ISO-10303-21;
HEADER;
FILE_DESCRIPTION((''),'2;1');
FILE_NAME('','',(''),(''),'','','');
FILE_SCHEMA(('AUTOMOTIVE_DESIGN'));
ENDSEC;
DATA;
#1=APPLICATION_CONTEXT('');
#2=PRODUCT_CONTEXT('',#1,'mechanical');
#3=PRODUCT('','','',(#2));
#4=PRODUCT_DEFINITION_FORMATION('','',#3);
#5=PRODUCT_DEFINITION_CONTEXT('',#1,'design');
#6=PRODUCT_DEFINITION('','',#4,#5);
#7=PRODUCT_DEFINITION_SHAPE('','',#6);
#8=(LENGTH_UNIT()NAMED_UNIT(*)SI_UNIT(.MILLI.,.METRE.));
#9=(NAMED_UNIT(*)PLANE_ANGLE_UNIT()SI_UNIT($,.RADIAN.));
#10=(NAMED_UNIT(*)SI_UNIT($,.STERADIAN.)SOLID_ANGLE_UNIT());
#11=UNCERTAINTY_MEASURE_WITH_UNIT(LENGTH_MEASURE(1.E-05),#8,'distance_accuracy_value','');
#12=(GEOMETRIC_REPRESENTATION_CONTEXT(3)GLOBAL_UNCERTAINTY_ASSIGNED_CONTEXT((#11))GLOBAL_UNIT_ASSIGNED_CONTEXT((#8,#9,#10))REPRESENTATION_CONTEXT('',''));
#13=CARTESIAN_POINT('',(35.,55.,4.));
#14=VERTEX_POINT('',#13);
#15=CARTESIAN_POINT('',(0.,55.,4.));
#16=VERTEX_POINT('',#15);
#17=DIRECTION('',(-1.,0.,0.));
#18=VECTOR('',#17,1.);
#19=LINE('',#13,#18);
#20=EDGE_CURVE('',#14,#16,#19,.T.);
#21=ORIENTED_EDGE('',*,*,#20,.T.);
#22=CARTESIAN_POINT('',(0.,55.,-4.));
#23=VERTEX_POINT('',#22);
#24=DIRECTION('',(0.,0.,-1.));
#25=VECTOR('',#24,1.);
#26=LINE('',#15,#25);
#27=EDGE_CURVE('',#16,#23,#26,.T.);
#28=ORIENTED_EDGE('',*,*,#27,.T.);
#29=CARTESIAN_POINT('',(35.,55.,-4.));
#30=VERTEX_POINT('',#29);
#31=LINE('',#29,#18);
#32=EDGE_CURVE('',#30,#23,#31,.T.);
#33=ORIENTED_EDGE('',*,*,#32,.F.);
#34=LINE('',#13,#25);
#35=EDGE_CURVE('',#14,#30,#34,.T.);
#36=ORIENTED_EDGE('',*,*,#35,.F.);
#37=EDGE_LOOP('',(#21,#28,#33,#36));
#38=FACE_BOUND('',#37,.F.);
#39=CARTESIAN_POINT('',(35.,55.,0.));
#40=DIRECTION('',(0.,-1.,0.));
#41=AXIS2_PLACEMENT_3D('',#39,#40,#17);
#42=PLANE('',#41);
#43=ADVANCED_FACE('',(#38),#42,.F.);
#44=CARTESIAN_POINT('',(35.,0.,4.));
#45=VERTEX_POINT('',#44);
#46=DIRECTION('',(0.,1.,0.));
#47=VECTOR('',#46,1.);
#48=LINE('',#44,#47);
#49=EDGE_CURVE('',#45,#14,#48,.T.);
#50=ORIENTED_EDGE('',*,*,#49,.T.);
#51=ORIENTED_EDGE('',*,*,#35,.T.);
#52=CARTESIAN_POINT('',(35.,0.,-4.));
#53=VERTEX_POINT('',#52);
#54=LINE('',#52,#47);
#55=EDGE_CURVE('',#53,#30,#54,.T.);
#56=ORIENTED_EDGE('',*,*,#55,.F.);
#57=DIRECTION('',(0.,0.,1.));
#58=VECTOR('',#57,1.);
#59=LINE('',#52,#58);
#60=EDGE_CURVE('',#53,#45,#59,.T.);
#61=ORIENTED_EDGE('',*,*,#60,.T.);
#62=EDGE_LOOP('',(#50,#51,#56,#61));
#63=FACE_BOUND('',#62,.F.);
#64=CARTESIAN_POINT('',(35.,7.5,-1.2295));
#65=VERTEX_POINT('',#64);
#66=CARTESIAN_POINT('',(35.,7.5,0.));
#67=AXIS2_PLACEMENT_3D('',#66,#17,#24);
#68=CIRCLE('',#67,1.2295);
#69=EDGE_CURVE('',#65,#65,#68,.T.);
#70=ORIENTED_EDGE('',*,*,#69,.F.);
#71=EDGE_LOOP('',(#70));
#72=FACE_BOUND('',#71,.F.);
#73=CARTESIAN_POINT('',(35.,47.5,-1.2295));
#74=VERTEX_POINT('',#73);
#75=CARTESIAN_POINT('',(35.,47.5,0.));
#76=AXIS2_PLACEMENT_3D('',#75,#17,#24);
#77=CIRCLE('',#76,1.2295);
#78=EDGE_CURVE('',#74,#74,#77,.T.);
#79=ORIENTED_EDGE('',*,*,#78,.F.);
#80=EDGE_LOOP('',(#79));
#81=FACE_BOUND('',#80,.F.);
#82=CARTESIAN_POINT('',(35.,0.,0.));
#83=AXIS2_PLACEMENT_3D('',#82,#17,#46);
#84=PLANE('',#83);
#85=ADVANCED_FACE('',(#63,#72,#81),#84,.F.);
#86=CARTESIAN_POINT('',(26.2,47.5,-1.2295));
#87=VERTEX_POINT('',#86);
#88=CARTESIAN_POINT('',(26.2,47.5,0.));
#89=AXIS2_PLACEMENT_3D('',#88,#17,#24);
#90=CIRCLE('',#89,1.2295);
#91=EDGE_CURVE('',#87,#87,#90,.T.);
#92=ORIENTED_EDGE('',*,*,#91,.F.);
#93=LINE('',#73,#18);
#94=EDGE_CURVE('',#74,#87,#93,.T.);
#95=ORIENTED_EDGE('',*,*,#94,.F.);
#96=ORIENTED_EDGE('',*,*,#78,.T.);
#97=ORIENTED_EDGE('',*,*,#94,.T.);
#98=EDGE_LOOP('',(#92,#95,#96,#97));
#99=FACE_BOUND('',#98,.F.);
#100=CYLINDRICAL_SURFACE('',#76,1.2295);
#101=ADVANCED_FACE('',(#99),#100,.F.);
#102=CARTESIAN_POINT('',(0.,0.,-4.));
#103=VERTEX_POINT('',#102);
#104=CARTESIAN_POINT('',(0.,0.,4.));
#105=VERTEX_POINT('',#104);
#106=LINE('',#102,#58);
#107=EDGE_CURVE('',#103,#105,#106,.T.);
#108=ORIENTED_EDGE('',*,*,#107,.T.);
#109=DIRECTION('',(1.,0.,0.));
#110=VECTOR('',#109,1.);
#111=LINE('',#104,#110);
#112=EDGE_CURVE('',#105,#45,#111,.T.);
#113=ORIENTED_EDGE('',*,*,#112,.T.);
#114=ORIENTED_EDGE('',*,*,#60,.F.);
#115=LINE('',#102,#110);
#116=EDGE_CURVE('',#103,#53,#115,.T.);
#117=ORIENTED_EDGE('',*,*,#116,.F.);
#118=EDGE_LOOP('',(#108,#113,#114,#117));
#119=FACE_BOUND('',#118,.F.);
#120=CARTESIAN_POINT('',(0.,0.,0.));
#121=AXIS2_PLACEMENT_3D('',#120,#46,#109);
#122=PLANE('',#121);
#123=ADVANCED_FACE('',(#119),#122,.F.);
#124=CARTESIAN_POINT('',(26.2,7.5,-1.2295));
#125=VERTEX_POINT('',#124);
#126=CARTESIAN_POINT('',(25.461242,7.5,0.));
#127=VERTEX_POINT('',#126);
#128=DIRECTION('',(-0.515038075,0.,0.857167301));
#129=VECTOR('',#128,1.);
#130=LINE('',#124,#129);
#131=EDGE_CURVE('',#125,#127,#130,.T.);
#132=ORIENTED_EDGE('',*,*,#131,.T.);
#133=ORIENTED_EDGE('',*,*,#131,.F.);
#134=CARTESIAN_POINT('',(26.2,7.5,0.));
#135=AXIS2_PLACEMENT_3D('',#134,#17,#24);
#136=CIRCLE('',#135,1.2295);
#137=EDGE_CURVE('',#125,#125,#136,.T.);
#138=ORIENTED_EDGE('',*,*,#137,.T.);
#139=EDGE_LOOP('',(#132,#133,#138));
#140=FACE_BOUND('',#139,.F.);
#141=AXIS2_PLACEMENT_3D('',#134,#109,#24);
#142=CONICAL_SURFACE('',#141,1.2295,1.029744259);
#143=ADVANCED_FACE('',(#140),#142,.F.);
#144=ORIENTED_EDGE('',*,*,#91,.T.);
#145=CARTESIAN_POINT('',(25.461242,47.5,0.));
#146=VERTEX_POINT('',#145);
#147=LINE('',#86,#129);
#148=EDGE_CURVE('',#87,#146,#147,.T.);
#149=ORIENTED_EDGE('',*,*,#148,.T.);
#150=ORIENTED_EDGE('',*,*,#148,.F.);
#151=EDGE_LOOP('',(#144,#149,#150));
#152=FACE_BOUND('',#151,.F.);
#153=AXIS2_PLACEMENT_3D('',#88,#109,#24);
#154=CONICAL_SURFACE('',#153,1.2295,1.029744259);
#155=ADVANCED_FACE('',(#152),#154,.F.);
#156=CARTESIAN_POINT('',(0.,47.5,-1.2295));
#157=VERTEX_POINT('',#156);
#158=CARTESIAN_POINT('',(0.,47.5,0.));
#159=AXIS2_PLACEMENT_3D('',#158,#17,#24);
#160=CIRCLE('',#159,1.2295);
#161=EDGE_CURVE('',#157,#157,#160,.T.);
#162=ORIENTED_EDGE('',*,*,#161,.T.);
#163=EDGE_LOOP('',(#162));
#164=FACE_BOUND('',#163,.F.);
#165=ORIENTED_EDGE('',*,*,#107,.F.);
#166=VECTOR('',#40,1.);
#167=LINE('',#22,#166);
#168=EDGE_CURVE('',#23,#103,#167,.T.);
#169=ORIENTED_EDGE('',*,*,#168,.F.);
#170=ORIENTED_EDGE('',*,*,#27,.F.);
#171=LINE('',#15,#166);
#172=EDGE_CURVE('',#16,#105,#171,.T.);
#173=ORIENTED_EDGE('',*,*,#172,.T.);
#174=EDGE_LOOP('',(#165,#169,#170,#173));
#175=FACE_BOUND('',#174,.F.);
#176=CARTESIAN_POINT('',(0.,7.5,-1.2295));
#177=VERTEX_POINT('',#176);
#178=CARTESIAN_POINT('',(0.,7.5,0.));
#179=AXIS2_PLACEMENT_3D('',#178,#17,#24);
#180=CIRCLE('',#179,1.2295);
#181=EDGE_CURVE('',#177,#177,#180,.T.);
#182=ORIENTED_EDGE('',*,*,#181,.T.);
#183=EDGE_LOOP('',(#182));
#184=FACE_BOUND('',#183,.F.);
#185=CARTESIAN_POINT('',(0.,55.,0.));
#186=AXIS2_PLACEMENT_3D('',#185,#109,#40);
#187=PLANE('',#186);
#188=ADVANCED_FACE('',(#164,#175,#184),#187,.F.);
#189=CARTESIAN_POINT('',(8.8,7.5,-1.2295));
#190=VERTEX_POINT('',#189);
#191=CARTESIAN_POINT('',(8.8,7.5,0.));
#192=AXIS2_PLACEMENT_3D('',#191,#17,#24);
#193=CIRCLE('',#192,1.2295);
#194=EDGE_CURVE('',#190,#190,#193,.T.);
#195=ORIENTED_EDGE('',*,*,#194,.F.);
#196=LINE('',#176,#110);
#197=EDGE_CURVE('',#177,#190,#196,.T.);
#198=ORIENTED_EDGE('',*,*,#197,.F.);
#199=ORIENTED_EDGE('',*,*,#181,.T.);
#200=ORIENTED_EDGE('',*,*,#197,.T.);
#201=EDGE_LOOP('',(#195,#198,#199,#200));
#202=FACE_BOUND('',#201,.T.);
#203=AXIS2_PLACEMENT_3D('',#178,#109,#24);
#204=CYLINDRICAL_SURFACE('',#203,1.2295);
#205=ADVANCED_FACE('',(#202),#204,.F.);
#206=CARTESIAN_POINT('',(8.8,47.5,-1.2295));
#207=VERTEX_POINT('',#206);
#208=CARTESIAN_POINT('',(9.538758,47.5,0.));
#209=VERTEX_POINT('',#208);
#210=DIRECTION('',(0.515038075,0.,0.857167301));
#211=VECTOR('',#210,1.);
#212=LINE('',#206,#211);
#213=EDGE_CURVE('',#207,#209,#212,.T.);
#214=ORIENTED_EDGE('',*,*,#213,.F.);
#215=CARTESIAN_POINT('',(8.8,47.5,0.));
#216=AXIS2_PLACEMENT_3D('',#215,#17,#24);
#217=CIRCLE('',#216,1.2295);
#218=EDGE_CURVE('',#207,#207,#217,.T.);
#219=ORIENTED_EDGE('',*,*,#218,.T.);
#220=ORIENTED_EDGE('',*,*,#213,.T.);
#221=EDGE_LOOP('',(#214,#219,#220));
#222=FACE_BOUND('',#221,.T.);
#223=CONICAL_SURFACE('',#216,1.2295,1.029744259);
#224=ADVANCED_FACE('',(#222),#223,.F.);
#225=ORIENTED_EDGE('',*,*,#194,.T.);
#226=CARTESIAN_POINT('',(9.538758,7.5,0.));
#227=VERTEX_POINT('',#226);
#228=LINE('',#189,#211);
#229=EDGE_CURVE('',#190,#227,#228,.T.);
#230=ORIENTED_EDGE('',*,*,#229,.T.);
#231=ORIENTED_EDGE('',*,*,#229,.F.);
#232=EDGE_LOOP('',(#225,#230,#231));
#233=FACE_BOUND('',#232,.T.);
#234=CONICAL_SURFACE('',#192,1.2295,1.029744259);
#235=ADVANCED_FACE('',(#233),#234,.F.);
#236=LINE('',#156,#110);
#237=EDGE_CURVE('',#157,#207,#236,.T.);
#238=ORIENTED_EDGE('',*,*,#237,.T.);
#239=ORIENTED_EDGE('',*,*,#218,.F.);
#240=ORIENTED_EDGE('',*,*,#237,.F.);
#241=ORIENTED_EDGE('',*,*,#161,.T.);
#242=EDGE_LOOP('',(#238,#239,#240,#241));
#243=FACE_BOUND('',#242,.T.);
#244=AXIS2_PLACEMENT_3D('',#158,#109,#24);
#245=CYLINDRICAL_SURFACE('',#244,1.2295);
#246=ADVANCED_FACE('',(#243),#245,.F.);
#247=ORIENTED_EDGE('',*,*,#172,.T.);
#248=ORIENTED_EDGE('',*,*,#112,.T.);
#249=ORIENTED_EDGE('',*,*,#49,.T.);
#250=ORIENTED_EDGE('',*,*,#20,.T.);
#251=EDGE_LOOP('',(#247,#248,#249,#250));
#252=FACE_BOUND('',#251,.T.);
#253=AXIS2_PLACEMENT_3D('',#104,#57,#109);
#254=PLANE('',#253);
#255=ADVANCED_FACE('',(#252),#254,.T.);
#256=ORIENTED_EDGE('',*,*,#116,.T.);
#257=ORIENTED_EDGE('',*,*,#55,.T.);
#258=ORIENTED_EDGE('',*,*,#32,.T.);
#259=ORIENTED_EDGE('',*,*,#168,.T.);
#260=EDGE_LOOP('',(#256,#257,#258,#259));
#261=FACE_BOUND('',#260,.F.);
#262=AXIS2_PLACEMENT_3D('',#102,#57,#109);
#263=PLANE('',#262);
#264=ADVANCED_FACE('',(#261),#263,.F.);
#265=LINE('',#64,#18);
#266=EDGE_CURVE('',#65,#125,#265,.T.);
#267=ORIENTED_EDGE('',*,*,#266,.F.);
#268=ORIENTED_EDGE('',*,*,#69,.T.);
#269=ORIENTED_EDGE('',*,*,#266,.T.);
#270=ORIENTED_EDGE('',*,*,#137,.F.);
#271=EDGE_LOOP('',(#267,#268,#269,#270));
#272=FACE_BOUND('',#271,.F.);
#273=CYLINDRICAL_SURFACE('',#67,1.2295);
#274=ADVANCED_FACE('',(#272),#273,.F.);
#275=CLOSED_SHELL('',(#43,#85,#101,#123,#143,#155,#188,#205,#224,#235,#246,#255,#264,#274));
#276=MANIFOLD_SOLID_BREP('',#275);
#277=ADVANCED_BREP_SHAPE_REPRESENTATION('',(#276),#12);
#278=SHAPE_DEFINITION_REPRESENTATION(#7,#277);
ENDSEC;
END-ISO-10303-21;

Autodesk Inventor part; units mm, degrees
ref_plane "YZ Plane" through (0, 0, 0) normal (1, 0, 0) x (0, 1, 0)
ref_plane "XZ Plane" through (0, 0, 0) normal (0, 1, 0) x (-1, 0, 0)
sketch "Sketch1" plane through (0, 0, 0) normal (0, 0, 1) x (1, 0, 0)
  line L0 (0, 0) -> (35, 0)
  line L1 (35, 0) -> (35, 55)
  line L2 (35, 55) -> (0, 55)
  line L3 (0, 55) -> (0, 0)
  dimension "d0" = 35
  dimension "d1" = 55
extrude "Extrusion1" add sketch "Sketch1" along normal mid plane 8
sketch "Sketch2" plane through (35, 0, 4) normal (1, 0, 0) x (0, 0, -1)
  line L0 (8, 55) -> (0, 55) projected
  point P0 (4, 0)
  point P1 (4, 7.5)
  point P2 (4, 47.5)
  point P3 (4, 55)
  dimension "d4" = 7.5
  dimension "d5" = 7.5
  dimension "d6" = 40
hole "Hole1" at (35, 7.5, 0) at (35, 47.5, 0) direction (-1, 0, 0) diameter 2.459 depth 8.8 tip angle 118 thread size "M3x0.5" class "6H" standard "ANSI Metric M Profile"
ref_plane "Work Plane1" through (17.5, 0, 4) normal (1, 0, 0) x (0, 0, -1)
mirror "Mirror1" about plane through (17.5, 0, 4) normal (1, 0, 0) of "Hole1"
equation "\"d5\" = d4"
properties part number "Pancake_Floor Piece" material "Aluminum 6061"
